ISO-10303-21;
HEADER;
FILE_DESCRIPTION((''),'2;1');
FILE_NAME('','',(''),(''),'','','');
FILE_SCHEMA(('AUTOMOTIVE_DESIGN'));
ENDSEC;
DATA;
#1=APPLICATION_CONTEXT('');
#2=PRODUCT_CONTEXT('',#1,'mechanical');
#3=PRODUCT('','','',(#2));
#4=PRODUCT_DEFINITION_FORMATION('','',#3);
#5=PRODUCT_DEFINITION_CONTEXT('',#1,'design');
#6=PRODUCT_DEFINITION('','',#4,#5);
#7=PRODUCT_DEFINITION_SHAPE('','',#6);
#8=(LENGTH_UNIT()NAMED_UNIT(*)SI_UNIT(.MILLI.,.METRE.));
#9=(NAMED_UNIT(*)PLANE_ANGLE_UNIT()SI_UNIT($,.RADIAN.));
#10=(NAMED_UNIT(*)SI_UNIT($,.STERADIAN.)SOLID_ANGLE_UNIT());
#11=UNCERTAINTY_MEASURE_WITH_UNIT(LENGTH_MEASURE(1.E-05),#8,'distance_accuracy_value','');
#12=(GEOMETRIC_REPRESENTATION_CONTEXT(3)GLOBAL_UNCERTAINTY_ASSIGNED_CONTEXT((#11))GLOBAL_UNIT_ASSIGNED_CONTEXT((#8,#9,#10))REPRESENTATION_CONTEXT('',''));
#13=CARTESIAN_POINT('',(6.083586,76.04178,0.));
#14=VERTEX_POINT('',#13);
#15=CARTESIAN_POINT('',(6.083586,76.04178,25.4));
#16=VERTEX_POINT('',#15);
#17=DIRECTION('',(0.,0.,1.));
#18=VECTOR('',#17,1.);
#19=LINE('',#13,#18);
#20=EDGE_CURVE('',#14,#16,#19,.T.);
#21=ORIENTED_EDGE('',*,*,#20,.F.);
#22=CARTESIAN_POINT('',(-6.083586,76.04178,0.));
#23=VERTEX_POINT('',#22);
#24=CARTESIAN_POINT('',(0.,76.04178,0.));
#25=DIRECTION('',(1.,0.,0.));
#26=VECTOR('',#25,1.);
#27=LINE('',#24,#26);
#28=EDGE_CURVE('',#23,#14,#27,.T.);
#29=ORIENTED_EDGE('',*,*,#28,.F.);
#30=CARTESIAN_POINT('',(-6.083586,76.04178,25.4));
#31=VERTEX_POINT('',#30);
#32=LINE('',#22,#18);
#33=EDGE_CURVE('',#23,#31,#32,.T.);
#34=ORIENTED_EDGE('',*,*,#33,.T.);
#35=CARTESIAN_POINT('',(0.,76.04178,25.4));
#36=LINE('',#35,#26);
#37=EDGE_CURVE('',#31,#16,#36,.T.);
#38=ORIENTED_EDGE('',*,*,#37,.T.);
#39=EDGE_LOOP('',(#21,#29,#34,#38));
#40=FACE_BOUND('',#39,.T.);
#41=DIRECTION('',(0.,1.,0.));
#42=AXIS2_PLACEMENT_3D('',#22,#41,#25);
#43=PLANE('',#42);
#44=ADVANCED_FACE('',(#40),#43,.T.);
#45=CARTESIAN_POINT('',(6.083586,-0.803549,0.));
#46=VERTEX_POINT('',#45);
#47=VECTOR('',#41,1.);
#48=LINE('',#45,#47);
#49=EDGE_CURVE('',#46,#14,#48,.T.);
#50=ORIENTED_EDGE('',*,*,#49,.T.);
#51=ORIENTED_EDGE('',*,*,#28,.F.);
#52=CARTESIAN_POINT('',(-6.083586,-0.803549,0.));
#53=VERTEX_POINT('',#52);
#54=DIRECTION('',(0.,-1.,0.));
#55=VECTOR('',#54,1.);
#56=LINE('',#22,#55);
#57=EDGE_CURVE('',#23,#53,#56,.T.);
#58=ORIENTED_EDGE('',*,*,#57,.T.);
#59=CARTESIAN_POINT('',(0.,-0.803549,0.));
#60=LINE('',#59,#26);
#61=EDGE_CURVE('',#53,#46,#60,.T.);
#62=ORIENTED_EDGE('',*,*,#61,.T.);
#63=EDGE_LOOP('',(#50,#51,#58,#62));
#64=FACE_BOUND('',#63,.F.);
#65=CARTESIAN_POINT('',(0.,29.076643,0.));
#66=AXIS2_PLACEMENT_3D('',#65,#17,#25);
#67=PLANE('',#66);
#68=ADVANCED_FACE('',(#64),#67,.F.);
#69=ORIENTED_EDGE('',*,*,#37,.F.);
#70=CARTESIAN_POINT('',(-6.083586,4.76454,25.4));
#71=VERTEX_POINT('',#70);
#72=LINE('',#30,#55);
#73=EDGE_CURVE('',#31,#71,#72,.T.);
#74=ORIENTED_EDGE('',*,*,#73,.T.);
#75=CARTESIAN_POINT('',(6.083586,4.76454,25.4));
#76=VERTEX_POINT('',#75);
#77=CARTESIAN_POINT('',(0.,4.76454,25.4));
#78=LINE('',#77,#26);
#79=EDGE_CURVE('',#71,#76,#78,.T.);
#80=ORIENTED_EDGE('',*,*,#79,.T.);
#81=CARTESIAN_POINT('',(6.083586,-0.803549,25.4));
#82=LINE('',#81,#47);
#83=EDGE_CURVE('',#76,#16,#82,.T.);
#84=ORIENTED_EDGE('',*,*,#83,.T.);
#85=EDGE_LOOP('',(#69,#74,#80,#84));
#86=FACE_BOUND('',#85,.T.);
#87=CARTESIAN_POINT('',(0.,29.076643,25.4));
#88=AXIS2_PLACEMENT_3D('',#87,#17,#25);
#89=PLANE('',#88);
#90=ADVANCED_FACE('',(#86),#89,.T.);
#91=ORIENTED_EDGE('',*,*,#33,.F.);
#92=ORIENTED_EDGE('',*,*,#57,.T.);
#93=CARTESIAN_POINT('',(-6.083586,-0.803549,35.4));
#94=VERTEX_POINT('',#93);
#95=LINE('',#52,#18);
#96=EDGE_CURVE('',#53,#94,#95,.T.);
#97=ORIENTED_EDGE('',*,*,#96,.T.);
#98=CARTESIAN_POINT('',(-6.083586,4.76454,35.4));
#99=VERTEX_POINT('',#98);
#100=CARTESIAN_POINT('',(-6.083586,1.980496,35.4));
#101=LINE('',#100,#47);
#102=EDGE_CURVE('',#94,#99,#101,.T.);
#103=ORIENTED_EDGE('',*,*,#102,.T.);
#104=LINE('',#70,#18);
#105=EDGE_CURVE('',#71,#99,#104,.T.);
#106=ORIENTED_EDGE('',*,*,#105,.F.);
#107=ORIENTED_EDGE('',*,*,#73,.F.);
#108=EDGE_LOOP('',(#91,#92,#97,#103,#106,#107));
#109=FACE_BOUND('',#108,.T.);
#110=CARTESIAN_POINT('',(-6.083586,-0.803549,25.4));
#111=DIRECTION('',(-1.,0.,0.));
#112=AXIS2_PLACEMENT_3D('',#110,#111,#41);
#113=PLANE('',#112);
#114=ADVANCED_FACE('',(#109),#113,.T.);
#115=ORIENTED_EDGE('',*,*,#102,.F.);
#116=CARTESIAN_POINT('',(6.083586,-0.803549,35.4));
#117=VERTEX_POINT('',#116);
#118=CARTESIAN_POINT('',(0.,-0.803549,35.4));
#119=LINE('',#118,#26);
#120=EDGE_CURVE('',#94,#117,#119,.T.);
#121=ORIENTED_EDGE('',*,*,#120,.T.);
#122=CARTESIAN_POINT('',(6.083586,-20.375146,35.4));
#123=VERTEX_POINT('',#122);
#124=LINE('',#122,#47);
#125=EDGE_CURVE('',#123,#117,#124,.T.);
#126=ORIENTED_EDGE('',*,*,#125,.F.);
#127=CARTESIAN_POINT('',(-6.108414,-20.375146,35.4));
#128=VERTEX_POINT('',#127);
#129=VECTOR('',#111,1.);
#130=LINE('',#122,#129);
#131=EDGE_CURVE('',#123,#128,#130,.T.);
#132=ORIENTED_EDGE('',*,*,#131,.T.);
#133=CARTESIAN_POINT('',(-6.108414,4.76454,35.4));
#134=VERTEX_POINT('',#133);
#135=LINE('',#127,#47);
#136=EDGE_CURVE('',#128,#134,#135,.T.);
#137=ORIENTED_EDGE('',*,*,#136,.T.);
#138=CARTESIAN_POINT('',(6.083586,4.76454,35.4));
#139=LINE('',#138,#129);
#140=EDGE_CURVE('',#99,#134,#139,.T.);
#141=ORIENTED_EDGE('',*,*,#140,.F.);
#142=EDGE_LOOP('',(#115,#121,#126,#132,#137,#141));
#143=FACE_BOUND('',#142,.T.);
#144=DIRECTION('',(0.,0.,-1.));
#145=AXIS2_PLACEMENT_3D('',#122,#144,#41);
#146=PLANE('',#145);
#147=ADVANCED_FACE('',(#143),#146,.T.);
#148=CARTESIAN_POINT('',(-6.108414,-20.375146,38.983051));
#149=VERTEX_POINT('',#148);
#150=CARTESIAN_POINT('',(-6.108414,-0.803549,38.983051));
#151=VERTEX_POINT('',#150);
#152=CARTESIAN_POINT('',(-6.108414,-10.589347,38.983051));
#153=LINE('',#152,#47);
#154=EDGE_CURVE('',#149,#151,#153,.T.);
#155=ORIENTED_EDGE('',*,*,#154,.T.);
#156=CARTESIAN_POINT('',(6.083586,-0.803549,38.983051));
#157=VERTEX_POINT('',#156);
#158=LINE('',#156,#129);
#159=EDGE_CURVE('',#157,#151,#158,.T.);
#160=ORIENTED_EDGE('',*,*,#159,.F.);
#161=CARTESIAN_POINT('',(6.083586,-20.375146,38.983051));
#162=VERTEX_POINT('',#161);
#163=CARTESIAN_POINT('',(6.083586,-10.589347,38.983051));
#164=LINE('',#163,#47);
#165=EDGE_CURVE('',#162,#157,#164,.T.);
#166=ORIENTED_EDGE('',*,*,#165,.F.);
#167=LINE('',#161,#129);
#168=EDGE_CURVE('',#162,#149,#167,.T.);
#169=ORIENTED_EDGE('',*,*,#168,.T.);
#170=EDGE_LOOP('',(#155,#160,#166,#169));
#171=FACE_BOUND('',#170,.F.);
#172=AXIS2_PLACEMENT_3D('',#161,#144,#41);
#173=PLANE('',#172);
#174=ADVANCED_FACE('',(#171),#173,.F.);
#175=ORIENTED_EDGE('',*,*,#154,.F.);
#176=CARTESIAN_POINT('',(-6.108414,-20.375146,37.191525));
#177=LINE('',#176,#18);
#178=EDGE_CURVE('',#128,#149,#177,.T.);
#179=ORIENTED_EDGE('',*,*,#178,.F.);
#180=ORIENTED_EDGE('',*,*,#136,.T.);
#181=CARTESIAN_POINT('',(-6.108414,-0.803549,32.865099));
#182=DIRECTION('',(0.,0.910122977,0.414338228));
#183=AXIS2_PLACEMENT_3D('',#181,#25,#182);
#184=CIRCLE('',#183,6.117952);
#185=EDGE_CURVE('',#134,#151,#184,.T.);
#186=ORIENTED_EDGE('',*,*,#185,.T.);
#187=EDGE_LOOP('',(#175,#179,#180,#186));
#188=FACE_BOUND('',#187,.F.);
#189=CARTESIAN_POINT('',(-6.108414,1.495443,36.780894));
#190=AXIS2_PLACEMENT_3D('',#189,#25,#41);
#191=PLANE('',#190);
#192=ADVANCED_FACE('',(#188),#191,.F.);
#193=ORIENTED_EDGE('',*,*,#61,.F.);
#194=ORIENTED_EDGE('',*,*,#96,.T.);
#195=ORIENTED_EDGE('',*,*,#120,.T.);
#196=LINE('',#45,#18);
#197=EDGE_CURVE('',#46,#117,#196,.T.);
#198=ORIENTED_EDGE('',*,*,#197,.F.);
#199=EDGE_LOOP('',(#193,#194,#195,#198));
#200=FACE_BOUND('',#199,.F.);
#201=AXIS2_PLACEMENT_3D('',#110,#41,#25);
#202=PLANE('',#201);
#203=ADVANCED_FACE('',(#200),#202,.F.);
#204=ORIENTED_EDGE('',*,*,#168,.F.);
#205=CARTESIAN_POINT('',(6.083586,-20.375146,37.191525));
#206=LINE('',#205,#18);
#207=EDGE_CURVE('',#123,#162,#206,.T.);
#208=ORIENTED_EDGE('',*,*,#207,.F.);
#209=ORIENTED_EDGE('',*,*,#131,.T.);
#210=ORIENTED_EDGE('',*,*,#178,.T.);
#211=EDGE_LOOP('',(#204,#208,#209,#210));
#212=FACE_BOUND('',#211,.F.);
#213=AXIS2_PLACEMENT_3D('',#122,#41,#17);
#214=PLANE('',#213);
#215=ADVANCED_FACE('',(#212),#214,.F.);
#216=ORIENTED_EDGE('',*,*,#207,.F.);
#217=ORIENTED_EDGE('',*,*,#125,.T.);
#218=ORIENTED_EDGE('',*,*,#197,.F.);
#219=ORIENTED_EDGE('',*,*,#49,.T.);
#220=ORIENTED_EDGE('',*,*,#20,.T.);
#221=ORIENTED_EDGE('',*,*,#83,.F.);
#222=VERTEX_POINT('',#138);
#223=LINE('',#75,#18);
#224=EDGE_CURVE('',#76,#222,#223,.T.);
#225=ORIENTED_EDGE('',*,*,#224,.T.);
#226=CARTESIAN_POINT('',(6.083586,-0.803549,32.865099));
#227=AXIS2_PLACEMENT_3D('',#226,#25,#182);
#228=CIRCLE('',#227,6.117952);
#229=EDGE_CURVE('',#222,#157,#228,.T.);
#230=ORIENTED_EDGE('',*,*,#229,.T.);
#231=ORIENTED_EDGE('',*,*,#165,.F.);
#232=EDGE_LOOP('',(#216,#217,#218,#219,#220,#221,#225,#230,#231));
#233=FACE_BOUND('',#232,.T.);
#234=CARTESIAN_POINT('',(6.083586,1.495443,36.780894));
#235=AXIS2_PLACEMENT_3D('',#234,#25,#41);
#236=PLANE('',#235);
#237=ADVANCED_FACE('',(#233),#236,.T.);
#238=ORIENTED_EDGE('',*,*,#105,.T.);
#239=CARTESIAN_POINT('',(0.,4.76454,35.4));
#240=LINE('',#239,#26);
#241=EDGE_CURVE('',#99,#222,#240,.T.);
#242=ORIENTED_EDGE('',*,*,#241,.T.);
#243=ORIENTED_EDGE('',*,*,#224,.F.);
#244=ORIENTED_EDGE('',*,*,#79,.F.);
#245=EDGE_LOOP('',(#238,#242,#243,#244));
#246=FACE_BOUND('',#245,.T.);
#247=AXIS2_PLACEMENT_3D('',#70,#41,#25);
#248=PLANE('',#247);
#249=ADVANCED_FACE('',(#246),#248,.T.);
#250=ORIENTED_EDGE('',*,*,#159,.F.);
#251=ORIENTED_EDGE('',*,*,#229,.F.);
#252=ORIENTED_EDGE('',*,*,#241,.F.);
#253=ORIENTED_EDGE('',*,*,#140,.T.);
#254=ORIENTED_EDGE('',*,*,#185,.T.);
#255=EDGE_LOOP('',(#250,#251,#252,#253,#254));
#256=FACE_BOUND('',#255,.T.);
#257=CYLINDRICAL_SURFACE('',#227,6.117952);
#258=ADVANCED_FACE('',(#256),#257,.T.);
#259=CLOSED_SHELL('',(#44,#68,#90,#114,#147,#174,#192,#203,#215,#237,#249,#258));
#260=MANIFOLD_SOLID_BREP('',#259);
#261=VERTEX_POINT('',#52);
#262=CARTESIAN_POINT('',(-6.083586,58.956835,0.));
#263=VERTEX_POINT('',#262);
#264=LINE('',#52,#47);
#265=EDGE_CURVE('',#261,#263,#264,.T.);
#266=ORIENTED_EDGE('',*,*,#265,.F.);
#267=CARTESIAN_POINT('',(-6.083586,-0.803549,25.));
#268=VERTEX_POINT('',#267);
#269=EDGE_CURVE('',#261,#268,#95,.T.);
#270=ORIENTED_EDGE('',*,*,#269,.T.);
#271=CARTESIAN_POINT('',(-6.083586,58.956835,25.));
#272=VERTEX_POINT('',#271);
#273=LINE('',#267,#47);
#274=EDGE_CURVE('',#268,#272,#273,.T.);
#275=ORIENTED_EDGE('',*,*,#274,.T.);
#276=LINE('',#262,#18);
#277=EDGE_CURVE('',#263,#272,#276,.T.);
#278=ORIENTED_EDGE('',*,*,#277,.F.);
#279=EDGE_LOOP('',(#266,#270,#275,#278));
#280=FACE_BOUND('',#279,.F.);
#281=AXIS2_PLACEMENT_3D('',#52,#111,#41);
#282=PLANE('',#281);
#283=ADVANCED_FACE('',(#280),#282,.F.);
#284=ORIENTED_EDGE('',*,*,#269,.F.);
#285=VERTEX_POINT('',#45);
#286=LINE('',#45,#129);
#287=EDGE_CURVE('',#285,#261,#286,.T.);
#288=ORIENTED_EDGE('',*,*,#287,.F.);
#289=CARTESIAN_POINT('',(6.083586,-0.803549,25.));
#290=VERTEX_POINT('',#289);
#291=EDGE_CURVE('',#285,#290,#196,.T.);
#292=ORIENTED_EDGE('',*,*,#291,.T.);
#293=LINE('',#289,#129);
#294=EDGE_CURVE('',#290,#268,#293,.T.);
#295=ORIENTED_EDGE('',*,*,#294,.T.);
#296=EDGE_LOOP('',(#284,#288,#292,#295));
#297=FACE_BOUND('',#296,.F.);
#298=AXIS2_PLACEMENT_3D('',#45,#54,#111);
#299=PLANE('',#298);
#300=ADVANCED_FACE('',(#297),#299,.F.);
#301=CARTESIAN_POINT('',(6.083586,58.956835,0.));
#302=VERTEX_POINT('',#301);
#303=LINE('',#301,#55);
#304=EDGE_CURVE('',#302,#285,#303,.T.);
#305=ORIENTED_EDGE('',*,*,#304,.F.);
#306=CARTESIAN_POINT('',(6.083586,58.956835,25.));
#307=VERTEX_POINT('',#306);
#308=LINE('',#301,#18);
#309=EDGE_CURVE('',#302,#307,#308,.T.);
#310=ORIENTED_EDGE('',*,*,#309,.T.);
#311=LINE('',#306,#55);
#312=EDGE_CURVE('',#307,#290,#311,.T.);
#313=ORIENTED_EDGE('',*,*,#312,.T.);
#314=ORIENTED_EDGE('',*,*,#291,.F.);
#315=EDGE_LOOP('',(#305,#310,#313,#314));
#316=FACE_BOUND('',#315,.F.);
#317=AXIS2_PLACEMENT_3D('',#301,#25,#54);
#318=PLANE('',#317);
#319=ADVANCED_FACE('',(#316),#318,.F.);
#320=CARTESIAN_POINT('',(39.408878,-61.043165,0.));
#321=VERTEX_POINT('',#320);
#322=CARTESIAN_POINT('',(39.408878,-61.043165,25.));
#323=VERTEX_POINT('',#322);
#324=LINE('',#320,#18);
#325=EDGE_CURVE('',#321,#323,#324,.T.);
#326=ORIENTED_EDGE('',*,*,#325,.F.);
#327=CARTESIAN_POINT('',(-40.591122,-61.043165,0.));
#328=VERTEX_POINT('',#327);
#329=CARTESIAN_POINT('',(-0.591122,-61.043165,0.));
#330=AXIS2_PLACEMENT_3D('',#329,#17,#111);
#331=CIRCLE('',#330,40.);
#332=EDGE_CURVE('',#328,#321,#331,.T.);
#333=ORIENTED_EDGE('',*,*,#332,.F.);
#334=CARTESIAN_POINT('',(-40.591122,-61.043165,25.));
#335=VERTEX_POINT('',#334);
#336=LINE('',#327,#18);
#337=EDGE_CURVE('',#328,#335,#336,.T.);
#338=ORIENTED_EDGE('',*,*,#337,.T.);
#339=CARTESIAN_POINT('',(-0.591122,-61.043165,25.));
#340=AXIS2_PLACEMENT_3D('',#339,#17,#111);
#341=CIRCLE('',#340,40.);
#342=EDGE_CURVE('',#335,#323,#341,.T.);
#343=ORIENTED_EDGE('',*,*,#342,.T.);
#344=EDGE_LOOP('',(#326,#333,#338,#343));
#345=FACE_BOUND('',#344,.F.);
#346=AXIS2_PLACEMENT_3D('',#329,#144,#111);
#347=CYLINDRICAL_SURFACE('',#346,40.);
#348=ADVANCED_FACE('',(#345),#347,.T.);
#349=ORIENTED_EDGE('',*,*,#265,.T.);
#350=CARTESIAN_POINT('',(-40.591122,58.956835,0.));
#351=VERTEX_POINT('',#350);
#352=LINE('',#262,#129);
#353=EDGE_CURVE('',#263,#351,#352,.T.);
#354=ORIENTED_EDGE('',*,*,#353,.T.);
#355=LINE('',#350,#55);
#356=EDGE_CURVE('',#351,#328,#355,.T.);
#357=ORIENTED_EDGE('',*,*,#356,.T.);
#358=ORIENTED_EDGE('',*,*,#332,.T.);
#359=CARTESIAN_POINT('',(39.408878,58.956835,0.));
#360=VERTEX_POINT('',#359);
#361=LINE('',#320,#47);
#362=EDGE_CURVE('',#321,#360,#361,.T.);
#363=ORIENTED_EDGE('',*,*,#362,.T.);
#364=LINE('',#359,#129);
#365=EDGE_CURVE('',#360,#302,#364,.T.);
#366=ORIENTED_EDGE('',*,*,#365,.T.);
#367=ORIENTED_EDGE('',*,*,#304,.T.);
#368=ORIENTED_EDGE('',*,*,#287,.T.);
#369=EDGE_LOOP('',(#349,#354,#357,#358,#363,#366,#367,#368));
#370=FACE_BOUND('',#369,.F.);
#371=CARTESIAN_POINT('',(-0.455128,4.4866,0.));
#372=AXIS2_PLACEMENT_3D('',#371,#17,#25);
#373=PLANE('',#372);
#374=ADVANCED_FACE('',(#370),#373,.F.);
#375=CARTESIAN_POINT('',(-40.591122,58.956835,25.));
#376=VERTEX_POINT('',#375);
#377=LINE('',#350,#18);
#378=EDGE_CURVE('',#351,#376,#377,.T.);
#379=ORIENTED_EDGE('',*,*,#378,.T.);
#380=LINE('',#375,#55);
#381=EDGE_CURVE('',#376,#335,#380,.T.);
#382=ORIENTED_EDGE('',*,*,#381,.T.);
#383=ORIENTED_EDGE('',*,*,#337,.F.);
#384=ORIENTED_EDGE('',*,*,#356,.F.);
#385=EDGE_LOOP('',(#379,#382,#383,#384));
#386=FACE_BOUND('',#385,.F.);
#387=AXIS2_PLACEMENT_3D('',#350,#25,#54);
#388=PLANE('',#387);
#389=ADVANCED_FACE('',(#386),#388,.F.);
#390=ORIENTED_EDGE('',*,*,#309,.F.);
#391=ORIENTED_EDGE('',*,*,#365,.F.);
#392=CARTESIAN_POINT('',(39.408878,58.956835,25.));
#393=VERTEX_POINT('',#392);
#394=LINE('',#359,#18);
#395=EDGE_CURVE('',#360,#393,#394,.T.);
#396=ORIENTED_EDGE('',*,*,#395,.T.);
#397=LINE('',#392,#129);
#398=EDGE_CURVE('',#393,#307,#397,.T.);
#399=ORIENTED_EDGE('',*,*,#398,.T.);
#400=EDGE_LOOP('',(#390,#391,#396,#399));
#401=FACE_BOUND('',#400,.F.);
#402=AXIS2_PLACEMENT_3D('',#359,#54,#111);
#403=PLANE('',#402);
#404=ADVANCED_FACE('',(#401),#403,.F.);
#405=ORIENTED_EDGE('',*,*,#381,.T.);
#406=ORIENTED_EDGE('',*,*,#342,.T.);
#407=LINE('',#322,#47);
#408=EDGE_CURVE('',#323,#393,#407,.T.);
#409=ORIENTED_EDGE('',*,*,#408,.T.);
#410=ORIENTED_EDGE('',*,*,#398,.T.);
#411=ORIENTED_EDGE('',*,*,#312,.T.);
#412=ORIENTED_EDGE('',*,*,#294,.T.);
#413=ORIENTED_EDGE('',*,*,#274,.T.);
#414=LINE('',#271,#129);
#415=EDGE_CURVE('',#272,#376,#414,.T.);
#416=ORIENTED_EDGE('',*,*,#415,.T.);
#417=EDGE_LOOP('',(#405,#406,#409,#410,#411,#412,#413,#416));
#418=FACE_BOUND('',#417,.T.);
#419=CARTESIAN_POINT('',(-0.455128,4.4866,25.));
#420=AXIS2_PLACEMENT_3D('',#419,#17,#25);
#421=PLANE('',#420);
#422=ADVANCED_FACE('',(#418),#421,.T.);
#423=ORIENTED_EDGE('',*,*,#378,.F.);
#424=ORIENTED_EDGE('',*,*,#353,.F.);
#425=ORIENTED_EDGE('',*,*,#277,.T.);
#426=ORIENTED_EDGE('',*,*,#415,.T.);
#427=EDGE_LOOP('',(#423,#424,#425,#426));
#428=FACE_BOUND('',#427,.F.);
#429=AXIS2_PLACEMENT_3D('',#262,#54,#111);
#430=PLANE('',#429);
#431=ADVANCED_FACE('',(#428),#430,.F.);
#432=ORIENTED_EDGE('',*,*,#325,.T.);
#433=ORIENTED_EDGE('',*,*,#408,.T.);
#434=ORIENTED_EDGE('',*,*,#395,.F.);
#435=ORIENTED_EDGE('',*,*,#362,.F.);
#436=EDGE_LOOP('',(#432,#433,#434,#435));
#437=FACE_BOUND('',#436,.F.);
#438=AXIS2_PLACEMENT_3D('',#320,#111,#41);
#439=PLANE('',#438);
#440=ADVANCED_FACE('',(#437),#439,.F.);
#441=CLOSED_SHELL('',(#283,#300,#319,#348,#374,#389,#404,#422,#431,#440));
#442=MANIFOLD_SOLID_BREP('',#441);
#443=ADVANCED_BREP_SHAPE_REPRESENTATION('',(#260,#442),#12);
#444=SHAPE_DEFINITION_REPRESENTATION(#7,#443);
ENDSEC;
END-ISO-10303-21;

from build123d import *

# Parameters (mm, degrees)
F1_DEPTH = 25
F0_W     = 12.1671715751
F0_H     = 59.7603839328
F0_H_2   = 17.0849451576
F2_DEPTH = 25.4
F3_W     = 12.1671715751
F3_H     = 5.5680888814
F4_DEPTH = 10
F5_W     = 19.571596921
F5_H     = 3.5830507338
F6_DEPTH = 12.192


with BuildPart() as f1:
    # F0 (on Top) → F1 (new body)
    with BuildSketch(Plane.XY):
        Polygon((-6.0835857876, 58.9568352546), (-40.591121614, 58.9568352546), (-40.591121614, -61.0431647454), (39.408878386, -61.0431647454), (39.408878386, 58.9568352546), (6.0835857876, 58.9568352546), (6.0835857876, -0.8035486783), (-6.0835857876, -0.8035486783), align=None)
        with BuildLine():
            Line((39.408878386, -61.0431647454), (-40.591121614, -61.0431647454))
            ThreePointArc((-40.591121614, -61.0431647454), (-0.591121614, -101.0431647454), (39.408878386, -61.0431647454))
        make_face()
    extrude(amount=F1_DEPTH)


with BuildPart() as f2:
    # F0 (on Top) → F2 (new body)
    with BuildSketch(Plane.XY):
        with Locations((0, 29.0766432881)):
            Rectangle(F0_W, F0_H)
        with Locations((0, 67.4993078334)):
            Rectangle(F0_W, F0_H_2)
    extrude(amount=F2_DEPTH)

    # F3 (on face) → F4 (join)
    with BuildSketch(Plane.XY.offset(25.4)):
        with Locations((0, 1.9804957624)):
            Rectangle(F3_W, F3_H)
    extrude(amount=F4_DEPTH)

    # F5 (on face) → F6 (join)
    with BuildSketch(Plane.YZ.offset(6.0835857876)):
        with BuildLine():
            Line((-0.8035486783, 38.9830507338), (-0.8035486783, 35.4))
            Line((-0.8035486783, 35.4), (4.7645402032, 35.4))
            ThreePointArc((4.7645402032, 35.4), (2.5071108615, 38.0098893521), (-0.8035486783, 38.9830507338))
        make_face()
        with Locations((-10.5893471388, 37.1915253669)):
            Rectangle(F5_W, F5_H)
    extrude(amount=-F6_DEPTH)


solid = Compound([f1.part, f2.part])
